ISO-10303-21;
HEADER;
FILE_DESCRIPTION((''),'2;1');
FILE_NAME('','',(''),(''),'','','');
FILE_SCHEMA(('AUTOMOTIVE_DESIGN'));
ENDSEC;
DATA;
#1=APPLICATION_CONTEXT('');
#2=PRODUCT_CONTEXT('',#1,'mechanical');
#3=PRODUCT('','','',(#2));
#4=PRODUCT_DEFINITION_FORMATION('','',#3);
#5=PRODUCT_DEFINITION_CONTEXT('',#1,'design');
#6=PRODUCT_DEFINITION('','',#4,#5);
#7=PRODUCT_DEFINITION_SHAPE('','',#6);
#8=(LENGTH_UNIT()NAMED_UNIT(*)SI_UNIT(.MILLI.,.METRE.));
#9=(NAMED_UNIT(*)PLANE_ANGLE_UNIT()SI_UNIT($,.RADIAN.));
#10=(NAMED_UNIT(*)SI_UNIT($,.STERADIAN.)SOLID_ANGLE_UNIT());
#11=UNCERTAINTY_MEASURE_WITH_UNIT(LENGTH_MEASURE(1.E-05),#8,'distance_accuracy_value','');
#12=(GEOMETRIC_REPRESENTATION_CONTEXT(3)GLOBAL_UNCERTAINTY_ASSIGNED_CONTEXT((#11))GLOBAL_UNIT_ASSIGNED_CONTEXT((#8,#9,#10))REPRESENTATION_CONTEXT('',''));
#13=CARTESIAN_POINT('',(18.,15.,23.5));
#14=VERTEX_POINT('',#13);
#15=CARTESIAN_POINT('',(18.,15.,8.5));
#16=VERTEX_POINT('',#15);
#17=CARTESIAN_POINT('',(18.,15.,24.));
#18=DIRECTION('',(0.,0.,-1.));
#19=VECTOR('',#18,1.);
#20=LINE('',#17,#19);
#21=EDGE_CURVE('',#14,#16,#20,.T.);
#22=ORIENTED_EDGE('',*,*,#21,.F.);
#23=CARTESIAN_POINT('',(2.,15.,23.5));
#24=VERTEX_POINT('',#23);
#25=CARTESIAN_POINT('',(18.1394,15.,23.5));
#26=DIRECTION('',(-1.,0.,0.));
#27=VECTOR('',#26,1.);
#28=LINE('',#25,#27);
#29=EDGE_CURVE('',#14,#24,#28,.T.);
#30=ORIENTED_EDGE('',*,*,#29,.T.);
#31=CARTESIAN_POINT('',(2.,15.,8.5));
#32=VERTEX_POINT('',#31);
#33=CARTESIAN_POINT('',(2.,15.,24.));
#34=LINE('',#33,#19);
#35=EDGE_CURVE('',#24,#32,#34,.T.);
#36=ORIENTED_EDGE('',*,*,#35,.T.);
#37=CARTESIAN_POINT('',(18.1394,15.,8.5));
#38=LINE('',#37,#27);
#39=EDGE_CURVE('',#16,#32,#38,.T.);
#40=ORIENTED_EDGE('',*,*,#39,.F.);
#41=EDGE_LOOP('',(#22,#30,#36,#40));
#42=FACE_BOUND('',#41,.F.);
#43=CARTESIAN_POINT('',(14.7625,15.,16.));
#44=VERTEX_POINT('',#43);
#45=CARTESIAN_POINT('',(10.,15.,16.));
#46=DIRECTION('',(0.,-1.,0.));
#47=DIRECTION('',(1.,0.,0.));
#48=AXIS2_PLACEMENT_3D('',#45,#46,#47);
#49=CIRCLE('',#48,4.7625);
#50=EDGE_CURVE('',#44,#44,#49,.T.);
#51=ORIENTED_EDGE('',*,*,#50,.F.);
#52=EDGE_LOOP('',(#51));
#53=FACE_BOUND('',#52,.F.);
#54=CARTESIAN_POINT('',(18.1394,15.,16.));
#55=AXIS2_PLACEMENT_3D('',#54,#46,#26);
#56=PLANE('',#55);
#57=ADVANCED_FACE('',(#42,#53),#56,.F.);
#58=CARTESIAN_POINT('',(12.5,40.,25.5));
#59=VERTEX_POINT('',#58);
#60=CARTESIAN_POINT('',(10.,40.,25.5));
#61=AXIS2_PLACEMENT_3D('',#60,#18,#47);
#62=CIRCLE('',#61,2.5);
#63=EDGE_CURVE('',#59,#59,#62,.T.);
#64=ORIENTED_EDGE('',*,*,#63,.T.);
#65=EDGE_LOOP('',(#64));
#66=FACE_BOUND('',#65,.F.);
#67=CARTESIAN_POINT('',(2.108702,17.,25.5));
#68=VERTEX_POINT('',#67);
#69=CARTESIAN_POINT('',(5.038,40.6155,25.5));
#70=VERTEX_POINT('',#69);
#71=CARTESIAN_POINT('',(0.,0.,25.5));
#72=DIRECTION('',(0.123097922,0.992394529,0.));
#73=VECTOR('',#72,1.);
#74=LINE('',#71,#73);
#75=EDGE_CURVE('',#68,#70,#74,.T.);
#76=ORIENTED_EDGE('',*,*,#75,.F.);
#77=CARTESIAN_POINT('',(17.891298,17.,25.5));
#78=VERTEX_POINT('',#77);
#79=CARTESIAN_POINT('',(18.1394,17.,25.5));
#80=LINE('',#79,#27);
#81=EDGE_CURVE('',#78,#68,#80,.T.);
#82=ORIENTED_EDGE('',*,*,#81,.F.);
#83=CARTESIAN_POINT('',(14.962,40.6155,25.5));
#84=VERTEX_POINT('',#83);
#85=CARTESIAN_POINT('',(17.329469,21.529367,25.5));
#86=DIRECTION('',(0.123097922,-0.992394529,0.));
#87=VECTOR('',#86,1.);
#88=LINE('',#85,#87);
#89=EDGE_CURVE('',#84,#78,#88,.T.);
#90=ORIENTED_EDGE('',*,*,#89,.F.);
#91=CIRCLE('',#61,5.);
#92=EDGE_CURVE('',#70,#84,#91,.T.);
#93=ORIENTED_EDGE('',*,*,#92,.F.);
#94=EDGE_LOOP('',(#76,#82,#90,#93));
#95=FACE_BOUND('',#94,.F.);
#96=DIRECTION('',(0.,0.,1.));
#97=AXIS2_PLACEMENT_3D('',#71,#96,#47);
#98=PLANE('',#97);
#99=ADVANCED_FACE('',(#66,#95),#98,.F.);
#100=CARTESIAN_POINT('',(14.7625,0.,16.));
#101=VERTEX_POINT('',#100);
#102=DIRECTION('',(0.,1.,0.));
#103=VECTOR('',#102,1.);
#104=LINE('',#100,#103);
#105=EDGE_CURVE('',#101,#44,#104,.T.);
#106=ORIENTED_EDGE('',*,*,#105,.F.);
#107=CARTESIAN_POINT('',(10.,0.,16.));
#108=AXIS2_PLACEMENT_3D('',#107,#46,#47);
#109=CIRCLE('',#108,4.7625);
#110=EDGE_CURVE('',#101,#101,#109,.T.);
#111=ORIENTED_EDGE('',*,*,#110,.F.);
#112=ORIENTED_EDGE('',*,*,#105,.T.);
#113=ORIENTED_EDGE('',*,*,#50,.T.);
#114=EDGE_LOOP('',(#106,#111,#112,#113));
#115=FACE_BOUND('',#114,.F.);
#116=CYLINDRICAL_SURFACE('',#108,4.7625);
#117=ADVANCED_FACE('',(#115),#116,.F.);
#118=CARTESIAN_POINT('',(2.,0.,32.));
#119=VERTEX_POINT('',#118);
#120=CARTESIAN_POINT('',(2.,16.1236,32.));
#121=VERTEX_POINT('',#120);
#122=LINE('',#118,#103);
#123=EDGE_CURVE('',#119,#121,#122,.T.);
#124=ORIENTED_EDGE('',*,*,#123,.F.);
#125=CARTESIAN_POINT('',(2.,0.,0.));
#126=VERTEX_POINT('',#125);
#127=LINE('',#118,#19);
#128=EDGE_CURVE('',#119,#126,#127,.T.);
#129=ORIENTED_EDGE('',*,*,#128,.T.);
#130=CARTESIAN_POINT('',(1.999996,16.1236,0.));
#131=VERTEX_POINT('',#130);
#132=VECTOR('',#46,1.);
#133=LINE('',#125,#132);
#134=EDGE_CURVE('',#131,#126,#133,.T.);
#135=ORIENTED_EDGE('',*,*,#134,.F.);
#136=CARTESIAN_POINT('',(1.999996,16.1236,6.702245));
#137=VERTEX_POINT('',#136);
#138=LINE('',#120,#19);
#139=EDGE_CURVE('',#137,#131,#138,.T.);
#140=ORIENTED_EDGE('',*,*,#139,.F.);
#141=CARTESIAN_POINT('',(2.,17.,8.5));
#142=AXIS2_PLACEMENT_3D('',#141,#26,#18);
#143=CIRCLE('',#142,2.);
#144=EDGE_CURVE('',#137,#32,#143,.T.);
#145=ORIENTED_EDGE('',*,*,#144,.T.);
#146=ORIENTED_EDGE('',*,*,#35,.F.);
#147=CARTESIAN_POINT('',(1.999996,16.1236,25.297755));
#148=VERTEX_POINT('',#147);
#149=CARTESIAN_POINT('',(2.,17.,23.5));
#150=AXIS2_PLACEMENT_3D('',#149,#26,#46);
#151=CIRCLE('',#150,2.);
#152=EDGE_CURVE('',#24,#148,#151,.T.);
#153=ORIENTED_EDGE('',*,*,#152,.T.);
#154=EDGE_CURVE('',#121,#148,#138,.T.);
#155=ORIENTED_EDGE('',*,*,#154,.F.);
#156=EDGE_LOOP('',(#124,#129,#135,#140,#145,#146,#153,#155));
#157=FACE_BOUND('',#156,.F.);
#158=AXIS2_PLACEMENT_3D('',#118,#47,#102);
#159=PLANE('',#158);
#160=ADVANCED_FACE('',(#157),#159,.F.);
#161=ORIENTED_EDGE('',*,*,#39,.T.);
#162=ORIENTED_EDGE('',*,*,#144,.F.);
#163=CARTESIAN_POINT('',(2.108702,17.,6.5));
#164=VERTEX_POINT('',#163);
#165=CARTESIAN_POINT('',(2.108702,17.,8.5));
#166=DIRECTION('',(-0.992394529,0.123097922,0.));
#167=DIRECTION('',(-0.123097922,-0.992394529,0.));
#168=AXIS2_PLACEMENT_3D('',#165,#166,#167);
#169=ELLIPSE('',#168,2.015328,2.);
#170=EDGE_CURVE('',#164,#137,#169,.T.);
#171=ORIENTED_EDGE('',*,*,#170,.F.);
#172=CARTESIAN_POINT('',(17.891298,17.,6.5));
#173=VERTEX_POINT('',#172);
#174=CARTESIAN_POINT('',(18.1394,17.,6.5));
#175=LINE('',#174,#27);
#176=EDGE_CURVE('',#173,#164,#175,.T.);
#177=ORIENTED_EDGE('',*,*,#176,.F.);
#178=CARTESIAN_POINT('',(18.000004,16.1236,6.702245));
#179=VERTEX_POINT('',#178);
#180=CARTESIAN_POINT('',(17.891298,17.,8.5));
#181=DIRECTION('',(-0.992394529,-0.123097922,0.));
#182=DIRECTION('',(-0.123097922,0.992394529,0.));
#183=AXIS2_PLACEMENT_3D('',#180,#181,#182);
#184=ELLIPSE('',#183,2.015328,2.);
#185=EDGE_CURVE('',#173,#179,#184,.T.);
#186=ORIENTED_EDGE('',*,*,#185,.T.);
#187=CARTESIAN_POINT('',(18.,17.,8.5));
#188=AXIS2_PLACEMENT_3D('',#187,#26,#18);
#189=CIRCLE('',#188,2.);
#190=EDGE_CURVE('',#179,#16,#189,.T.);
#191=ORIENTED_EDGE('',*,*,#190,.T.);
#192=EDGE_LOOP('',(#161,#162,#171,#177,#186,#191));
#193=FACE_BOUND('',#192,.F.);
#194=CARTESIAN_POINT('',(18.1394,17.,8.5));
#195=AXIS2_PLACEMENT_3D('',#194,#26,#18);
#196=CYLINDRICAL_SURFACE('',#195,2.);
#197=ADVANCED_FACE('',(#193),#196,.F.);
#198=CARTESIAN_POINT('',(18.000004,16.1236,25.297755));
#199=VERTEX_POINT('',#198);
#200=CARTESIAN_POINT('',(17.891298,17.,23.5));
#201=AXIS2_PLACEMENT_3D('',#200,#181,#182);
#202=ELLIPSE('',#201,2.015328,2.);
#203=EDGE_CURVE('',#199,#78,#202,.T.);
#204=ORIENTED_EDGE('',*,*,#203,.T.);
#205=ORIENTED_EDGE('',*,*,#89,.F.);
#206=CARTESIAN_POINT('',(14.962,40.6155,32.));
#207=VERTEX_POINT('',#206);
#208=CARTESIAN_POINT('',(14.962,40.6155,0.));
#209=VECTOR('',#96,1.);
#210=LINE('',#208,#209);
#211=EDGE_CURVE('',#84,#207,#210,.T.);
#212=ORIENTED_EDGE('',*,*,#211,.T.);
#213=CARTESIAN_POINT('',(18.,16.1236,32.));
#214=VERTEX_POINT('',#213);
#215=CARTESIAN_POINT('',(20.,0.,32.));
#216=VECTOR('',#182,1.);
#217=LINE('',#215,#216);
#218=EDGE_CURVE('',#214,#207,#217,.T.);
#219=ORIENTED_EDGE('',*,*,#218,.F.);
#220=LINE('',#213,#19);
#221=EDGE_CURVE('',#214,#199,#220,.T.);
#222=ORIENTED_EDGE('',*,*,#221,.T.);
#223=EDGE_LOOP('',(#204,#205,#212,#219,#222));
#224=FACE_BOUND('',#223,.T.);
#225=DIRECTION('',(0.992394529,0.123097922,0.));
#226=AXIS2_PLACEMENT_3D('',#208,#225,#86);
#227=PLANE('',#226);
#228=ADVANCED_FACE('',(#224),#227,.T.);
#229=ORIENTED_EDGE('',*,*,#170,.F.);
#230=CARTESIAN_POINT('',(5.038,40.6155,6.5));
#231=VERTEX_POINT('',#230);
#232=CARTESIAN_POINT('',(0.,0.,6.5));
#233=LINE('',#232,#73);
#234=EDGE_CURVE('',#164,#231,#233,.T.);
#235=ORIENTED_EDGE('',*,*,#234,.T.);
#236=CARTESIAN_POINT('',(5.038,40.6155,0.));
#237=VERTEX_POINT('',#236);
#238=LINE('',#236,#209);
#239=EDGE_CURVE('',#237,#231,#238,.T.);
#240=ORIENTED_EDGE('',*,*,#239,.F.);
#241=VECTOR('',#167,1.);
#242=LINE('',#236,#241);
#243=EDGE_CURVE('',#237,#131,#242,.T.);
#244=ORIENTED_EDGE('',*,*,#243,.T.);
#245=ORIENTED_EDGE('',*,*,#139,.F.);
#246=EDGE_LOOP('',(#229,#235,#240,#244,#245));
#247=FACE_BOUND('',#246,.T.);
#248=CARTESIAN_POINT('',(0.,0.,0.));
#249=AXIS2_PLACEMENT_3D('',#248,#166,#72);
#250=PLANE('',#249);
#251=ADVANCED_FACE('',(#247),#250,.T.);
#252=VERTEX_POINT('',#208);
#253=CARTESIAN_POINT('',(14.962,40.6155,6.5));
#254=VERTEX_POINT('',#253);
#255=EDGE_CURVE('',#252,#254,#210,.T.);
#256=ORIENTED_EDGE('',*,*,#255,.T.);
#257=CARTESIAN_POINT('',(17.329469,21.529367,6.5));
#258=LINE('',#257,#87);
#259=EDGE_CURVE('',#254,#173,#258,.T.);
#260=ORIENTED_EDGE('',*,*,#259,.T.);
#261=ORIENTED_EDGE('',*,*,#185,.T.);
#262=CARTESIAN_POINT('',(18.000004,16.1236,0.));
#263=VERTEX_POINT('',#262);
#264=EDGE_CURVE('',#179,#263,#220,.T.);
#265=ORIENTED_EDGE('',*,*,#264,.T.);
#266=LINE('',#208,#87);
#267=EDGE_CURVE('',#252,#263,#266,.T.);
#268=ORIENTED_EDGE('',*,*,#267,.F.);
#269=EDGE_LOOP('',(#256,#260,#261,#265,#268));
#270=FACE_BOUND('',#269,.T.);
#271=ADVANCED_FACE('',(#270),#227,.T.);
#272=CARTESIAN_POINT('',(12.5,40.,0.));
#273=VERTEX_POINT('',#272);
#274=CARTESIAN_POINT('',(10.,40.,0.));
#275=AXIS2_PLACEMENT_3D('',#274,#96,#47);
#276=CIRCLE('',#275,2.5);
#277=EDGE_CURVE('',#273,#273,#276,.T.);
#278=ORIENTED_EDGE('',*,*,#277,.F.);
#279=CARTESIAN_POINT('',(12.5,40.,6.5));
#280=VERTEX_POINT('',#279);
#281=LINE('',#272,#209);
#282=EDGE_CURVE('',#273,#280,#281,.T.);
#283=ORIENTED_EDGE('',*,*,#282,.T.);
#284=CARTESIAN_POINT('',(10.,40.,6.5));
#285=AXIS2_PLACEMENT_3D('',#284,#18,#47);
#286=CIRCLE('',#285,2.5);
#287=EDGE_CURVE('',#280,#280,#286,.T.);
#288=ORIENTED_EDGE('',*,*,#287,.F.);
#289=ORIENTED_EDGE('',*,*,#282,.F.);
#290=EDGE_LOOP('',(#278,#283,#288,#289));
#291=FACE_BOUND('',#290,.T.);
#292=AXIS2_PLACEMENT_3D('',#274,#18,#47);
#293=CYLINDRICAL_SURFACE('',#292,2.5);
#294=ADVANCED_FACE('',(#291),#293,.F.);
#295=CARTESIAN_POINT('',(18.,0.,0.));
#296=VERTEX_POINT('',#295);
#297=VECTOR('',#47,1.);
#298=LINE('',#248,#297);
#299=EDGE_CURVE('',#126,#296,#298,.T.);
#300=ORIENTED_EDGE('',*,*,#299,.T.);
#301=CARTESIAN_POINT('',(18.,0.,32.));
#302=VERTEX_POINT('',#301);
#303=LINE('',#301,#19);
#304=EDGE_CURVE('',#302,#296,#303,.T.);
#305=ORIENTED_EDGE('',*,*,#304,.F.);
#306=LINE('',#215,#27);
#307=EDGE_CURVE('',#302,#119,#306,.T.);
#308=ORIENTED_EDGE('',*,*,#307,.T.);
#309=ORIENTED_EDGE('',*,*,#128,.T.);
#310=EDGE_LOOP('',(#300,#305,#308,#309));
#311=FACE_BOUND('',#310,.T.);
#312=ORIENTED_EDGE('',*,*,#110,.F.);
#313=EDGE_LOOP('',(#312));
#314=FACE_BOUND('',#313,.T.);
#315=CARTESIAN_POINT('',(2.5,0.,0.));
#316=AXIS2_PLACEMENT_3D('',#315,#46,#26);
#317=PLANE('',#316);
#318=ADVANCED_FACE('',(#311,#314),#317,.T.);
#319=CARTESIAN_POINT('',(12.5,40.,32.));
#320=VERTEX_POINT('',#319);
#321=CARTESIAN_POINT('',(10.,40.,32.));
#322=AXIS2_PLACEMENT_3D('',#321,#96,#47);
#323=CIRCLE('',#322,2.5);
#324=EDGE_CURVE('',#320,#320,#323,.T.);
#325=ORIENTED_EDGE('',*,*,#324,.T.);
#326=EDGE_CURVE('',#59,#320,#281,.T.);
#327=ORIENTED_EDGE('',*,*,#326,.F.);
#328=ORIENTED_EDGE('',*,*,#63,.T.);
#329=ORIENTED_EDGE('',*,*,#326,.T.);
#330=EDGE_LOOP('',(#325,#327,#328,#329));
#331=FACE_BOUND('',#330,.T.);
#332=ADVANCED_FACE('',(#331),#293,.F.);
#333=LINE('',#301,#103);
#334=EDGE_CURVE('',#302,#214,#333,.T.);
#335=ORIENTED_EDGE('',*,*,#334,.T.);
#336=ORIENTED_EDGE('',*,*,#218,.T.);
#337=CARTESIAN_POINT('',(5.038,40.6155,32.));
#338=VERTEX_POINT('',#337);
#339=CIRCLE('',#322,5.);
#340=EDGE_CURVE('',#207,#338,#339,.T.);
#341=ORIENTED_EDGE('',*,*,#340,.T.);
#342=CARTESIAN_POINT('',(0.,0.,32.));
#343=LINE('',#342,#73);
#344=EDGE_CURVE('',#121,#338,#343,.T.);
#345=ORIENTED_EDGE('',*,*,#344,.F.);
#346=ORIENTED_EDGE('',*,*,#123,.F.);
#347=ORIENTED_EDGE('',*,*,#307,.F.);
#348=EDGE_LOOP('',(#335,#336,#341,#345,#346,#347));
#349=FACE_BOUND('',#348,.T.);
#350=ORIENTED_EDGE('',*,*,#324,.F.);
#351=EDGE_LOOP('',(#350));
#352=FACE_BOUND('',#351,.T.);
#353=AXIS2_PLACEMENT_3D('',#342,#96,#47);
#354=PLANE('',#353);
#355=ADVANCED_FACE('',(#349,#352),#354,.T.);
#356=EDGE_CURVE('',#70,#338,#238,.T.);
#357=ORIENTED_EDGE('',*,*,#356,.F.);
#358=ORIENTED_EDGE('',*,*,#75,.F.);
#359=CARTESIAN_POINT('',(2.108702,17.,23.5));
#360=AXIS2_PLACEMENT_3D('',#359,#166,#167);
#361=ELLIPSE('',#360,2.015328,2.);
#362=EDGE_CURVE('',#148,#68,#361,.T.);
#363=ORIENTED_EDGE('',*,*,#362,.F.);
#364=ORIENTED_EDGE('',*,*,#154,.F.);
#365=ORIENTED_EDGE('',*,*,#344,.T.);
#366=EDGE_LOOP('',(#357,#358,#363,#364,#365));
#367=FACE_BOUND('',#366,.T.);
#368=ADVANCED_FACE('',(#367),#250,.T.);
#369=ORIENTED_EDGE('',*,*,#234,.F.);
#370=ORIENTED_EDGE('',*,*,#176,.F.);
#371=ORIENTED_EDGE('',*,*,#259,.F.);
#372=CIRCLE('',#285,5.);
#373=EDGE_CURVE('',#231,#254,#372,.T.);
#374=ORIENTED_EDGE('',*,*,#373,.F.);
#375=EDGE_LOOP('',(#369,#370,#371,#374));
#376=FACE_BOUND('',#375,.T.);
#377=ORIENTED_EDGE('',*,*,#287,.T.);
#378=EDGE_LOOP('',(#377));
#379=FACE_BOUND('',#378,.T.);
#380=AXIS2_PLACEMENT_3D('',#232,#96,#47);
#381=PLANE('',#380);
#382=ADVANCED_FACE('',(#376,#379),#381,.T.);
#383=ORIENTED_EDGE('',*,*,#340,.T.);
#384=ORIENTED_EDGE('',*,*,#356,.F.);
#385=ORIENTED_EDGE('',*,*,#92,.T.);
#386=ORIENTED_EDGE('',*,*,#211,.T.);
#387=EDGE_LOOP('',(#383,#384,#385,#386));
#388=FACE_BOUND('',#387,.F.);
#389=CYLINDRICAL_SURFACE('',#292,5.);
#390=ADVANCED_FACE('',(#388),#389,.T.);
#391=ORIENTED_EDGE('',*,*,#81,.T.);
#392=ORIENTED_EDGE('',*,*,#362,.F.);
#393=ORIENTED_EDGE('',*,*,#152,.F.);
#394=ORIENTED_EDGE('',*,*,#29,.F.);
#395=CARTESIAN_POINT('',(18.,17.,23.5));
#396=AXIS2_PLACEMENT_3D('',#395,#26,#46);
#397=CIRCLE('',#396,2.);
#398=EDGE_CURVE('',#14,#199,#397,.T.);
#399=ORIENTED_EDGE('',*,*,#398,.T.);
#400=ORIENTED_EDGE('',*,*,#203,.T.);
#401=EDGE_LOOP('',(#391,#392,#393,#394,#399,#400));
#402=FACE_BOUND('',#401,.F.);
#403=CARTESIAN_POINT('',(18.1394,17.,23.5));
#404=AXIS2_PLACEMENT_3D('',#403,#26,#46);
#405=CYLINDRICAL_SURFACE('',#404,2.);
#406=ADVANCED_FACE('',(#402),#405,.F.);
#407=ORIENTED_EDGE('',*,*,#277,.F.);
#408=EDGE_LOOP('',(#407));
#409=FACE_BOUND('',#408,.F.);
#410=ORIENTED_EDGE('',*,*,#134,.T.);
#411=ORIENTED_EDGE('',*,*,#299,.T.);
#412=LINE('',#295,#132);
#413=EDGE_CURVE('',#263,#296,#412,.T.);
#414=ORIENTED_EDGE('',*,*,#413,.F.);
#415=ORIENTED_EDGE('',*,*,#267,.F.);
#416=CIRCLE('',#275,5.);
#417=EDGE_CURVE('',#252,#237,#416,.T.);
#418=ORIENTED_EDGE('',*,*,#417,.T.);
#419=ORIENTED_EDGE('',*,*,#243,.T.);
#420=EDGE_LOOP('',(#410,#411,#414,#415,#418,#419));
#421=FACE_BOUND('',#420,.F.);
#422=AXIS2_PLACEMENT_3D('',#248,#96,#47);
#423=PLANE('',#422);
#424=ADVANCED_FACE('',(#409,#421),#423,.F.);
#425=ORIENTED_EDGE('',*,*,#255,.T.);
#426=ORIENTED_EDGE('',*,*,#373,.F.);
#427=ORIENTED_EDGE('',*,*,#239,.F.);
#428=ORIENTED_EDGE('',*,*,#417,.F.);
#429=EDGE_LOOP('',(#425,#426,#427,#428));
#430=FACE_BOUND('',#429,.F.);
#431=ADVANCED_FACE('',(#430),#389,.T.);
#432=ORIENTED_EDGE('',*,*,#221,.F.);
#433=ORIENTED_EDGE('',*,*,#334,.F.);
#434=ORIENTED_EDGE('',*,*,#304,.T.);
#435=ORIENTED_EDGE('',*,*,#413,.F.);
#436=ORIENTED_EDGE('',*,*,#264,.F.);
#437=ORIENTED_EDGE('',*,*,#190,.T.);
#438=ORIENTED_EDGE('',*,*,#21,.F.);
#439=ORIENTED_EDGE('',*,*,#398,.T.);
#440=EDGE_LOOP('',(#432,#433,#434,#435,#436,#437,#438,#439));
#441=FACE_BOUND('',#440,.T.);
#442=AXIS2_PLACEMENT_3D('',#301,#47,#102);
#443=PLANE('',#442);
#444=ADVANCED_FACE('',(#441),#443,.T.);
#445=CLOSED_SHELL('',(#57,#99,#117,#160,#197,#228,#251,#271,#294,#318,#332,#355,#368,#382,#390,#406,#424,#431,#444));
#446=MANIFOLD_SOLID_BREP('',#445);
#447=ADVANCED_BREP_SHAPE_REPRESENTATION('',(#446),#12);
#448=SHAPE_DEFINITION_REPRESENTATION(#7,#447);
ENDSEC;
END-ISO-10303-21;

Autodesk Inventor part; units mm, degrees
ref_plane "YZ Plane" through (0, 0, 0) normal (1, 0, 0) x (0, 1, 0)
ref_plane "XZ Plane" through (0, 0, 0) normal (0, 1, 0) x (-1, 0, 0)
sketch "Sketch1" plane through (0, 0, 0) normal (0, 0, 1) x (1, 0, 0)
  line L0 (0, 0) -> (5.038, 40.6155)
  circle A0 centre (10, 40) radius 5
  line L1 (14.962, 40.6155) -> (20, 0)
  line L2 (20, 0) -> (0, 0)
  circle A1 centre (10, 40) radius 2.5
  line L3 (2.5, 0) -> (2.5, 20.1545)
  line L4 (17.5, 0) -> (17.5, 20.1545)
  dimension "d0" = 5
  dimension "d1" = 10
  dimension "d2" = 20
  dimension "d3" = 10
  dimension "d4" = 40
  dimension "d19" = 15
  dimension "d20" = 7.5
extrude "Extrusion1" add sketch "Sketch1" along normal blind 32
ref_plane "Work Plane1" through (0, 0, 16) normal (0, 0, 1) x (1, 0, 0)
sketch "Sketch2" plane through (0, 0, 16) normal (0, 0, 1) x (1, 0, 0)
  circle A0 centre (10, 40) radius 2.5 projected
  arc A1 (14.962, 40.6155) -> (5.038, 40.6155) centre (10, 40) ccw projected
  line L0 (20, 0) -> (14.962, 40.6155) projected
  line L1 (0, 0) -> (20, 0) projected
  line L2 (5.038, 40.6155) -> (0, 0) projected
  line L3 (1.8606, 52.4259) -> (18.1394, 52.4259)
  line L4 (18.1394, 52.4259) -> (18.1394, 15)
  line L5 (18.1394, 15) -> (1.8606, 15)
  line L6 (1.8606, 15) -> (1.8606, 52.4259)
  dimension "d21" = 25
extrude "Extrusion2" cut sketch "Sketch2" along normal mid plane 19 contours A0 | L0 L5 L2 A1 | A1 L2 L6 L3 L4 L0
sketch "Sketch3" plane through (0, 0, 0) normal (0, -1, 0) x (1, 0, 0)
  line L0 (0, 0) -> (20, 0) projected
  line L1 (20, 0) -> (20, 32) projected
  line L2 (0, 32) -> (20, 32) projected
  line L3 (0, 0) -> (0, 32) projected
  circle A0 centre (10, 16) radius 4.7625
  dimension "d14" = 9.525
  dimension "d15" = 10
  dimension "d16" = 16
extrude "Extrusion3" cut sketch "Sketch3" against normal up to next contours A0
fillet "Fillet1" radius 2 2 edges at (10, 15, 6.5) (10, 15, 25.5)
sketch "Sketch5" plane through (0, 0, 32) normal (0, 0, 1) x (1, 0, 0)
  line L0 (0, 0) -> (2, 0)
  line L1 (0, 0) -> (20, 0) projected
  line L2 (2, 0) -> (2, 16.1236)
  line L3 (5.038, 40.6155) -> (0, 0) projected
  line L4 (2, 16.1236) -> (0, 0)
  line L5 (0, 0) -> (0, 22.2881)
  line L6 (20, 0) -> (18, 0)
  line L7 (18, 0) -> (18, 16.1236)
  line L8 (18, 16.1236) -> (20, 0)
  line L9 (20, 0) -> (14.962, 40.6155) projected
  dimension "d27" = 2
  dimension "d28" = 2
extrude "Extrusion5" cut sketch "Sketch5" against normal up to next
properties part number "hinge_for_swing" material "Acetal Resin, Black"
